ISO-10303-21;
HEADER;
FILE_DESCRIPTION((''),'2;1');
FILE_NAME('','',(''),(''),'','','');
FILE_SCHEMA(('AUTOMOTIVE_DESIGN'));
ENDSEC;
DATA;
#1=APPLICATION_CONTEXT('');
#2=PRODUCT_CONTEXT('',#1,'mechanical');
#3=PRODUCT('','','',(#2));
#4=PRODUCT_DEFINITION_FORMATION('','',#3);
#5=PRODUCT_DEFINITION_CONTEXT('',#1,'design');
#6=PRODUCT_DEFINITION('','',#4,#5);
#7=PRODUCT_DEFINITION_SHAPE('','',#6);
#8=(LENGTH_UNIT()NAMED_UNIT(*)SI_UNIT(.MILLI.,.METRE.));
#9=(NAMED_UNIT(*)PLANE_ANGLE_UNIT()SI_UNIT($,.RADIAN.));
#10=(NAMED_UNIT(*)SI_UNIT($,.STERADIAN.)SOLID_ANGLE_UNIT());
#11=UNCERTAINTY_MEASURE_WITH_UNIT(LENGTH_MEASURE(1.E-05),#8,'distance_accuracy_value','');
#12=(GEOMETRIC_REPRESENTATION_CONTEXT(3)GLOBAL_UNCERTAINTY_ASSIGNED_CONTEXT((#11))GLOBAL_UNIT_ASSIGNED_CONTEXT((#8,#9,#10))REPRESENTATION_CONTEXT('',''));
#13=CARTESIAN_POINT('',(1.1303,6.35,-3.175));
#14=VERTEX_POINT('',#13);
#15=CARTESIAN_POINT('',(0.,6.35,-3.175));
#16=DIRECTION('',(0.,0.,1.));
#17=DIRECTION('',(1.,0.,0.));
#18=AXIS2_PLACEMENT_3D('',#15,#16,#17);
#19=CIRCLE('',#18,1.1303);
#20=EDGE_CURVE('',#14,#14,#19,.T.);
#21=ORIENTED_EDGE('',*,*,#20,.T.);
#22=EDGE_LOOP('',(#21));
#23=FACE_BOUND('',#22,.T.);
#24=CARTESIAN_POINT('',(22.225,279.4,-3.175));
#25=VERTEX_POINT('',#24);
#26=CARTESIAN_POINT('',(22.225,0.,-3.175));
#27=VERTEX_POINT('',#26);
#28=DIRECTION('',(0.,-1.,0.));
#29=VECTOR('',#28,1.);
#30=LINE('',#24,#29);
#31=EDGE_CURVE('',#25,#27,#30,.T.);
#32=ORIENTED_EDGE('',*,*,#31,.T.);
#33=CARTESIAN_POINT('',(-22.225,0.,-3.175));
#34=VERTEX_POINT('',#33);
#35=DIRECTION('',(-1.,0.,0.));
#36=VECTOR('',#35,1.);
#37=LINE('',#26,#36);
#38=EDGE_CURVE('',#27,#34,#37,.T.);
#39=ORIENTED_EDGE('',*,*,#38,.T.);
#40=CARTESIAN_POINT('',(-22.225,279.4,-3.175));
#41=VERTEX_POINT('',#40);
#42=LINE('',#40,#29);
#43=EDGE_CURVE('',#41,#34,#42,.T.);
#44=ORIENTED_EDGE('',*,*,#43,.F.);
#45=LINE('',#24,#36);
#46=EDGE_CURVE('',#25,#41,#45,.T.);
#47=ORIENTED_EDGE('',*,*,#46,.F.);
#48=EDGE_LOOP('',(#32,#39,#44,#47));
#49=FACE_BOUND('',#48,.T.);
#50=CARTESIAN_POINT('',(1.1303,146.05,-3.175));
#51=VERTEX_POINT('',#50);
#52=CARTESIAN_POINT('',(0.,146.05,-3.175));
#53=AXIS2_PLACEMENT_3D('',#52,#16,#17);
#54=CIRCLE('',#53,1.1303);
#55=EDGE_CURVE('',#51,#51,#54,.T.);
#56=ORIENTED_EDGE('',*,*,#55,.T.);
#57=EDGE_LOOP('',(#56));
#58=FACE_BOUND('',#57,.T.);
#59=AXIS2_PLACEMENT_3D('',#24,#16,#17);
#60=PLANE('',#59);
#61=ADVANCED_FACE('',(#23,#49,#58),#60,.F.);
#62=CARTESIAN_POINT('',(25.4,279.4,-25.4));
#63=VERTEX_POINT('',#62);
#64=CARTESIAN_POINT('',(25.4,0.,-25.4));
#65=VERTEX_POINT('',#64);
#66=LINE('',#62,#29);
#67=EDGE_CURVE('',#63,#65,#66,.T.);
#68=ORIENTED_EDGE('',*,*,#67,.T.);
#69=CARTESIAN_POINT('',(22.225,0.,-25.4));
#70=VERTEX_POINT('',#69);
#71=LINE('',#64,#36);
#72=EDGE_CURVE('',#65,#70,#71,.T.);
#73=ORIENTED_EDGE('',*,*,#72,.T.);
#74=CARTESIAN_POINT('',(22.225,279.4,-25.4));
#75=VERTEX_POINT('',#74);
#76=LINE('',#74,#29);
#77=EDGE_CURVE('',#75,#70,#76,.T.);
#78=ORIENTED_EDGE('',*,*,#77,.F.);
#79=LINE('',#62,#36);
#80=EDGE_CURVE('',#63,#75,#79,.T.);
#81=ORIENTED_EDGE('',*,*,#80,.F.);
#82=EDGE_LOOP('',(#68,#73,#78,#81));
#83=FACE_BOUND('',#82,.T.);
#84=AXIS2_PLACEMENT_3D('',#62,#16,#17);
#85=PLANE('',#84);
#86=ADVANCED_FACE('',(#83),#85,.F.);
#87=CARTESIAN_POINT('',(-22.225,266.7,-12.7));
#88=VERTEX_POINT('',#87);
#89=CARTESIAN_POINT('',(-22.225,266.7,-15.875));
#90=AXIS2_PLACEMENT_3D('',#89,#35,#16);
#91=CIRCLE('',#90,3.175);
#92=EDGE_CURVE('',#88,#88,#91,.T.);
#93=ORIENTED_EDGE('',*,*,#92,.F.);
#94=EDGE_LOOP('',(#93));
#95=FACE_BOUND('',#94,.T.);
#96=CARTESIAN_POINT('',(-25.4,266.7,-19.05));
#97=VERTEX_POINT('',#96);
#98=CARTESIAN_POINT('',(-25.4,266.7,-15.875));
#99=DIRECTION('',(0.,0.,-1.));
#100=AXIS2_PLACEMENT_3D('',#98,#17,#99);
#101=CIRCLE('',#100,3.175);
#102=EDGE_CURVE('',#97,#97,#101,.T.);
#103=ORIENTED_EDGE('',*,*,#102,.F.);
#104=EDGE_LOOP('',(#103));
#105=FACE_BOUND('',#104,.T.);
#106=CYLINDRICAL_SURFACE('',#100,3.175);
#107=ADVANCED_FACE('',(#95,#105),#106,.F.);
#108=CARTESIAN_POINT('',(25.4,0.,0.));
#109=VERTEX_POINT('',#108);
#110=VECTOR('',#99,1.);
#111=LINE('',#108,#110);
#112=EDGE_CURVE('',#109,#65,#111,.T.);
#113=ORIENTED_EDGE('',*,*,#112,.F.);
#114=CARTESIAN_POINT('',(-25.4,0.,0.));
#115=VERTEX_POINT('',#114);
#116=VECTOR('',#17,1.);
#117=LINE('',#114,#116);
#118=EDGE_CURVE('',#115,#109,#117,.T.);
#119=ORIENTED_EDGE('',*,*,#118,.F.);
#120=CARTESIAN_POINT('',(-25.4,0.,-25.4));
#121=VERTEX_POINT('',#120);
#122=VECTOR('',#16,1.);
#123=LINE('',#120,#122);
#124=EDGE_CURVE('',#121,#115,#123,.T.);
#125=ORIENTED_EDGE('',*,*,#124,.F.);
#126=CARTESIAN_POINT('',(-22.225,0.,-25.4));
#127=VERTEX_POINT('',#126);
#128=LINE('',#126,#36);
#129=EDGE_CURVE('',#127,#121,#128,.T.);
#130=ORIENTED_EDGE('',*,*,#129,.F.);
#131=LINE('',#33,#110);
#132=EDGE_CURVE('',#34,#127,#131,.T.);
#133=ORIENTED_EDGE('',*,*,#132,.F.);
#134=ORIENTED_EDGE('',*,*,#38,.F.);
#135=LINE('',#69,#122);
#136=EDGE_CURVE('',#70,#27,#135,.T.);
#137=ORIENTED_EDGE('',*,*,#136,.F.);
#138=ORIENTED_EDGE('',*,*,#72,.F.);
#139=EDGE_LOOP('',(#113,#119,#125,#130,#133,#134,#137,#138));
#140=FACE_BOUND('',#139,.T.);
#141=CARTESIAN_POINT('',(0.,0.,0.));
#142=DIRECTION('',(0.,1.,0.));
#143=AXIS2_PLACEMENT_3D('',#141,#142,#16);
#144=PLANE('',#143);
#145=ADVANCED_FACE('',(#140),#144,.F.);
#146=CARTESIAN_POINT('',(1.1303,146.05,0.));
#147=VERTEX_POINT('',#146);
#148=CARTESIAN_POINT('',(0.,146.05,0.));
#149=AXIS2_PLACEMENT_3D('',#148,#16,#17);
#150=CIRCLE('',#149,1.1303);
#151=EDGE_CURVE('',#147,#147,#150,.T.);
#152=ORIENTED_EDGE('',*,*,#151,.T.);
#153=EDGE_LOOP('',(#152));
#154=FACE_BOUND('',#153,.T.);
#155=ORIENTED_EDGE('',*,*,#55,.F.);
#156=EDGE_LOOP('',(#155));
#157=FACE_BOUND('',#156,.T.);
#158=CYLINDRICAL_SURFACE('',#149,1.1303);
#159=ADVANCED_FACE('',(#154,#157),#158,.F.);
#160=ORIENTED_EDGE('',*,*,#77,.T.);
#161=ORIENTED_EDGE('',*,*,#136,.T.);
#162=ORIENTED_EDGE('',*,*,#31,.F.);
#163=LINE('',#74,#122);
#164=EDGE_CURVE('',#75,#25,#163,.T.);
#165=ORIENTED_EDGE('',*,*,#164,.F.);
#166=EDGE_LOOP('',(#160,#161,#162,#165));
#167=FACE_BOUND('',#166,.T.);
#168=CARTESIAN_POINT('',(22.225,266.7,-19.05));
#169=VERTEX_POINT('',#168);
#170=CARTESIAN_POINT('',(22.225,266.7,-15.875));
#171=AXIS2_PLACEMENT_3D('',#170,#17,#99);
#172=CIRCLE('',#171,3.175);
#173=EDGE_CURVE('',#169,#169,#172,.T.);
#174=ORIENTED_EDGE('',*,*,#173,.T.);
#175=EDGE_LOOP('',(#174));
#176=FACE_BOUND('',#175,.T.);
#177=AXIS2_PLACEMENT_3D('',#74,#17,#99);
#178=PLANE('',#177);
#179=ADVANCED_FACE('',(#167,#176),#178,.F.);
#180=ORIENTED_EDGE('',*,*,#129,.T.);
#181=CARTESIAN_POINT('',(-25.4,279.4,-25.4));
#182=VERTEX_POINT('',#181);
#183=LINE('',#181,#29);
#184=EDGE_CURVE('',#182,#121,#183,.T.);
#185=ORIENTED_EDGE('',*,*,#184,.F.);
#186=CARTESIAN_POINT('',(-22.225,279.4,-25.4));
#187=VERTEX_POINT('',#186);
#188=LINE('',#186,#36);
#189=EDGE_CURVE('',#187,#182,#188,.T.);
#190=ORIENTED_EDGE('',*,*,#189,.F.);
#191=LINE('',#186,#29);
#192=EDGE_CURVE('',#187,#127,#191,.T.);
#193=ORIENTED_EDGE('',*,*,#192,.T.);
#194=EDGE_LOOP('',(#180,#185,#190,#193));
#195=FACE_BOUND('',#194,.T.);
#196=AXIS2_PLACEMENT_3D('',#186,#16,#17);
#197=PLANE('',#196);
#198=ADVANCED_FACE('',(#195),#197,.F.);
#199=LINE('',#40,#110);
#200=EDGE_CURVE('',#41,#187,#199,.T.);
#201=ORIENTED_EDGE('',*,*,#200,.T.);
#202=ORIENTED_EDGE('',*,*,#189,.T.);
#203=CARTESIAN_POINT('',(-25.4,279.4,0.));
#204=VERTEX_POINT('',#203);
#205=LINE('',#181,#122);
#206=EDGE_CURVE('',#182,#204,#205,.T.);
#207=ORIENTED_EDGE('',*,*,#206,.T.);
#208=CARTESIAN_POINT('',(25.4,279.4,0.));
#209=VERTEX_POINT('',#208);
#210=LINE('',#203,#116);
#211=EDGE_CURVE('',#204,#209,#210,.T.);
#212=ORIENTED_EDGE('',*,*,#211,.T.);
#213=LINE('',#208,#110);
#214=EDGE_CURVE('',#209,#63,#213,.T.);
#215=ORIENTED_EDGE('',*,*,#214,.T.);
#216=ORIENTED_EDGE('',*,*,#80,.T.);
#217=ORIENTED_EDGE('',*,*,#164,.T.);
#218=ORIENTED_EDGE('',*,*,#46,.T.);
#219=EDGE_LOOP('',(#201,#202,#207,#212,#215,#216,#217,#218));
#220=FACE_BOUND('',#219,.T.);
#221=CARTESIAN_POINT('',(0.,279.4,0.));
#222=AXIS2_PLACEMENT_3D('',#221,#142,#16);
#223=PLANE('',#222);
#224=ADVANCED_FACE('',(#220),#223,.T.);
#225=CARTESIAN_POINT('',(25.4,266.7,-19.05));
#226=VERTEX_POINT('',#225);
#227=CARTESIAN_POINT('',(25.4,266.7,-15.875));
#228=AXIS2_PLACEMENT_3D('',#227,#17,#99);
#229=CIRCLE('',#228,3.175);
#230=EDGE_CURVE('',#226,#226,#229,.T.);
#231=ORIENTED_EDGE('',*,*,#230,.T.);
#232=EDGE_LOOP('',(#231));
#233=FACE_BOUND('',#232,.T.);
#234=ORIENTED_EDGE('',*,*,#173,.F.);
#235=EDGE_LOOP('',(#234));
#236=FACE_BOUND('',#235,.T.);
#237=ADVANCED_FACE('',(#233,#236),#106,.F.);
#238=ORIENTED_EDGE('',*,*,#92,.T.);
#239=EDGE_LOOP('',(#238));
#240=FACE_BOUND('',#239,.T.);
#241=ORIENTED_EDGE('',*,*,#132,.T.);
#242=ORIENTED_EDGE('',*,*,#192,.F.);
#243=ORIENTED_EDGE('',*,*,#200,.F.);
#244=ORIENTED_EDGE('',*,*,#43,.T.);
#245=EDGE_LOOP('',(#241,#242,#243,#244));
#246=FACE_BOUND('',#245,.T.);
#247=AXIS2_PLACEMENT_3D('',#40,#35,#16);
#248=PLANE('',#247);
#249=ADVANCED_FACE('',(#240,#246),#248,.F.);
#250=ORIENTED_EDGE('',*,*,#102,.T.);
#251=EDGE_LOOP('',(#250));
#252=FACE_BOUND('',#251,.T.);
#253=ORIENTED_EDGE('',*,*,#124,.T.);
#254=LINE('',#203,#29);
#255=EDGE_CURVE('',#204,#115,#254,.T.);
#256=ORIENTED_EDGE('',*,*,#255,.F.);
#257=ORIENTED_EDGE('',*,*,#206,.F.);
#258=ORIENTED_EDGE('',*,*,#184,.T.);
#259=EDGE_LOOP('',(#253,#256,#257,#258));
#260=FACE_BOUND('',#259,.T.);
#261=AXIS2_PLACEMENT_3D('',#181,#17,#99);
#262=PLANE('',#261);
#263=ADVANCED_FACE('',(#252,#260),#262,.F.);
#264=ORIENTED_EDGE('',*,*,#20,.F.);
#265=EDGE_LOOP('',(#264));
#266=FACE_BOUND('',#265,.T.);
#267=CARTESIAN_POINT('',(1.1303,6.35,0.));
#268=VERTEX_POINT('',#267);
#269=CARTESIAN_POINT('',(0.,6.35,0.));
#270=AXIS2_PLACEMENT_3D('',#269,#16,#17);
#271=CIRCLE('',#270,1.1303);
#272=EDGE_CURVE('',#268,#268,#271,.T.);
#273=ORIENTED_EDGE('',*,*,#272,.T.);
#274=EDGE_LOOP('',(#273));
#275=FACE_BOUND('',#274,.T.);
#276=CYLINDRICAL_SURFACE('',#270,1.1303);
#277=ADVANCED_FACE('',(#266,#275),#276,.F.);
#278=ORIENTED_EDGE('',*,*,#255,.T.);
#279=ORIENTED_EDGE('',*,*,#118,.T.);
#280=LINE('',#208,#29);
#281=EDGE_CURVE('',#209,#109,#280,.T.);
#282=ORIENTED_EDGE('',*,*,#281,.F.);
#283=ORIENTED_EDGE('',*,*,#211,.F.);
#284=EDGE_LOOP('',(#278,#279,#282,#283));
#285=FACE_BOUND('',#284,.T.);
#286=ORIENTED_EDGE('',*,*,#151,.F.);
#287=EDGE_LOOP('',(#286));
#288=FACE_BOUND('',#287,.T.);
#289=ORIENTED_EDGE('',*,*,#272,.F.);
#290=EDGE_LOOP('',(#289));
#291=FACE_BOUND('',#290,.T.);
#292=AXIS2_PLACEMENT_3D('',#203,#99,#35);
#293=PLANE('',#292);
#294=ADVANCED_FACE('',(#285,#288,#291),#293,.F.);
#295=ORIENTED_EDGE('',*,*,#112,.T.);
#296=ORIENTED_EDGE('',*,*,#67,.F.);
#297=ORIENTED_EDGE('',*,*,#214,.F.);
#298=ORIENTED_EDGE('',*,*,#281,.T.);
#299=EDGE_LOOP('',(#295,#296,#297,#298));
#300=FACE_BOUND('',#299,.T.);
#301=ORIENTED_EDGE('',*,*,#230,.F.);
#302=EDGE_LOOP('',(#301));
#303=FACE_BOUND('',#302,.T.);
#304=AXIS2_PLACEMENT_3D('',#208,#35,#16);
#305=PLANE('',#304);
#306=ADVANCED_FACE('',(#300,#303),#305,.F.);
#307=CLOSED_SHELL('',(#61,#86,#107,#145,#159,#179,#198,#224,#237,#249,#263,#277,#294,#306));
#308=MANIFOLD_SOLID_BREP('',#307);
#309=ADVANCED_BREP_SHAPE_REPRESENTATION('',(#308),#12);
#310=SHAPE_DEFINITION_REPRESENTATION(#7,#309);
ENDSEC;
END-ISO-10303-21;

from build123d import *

# Parameters (mm, degrees)
BOSS_EXTRUDE1_DEPTH       = 279.4
SKETCH2_R                 = 3.175
CUT_EXTRUDE1_DEPTH        = 51.8
F_4_40_TAPPED_HOLE1_D     = 2.2606
F_4_40_TAPPED_HOLE1_DEPTH = 3.175


with BuildPart() as part:
    # Sketch1 → Boss-Extrude1 (new body)
    with BuildSketch(Plane(origin=(0, 0, 0), x_dir=(1, 0, 0), z_dir=(0, 1, 0))):
        Polygon((-25.4, 25.4), (-25.4, 0), (25.4, 0), (25.4, 25.4), (22.225, 25.4), (22.225, 3.175), (-22.225, 3.175), (-22.225, 25.4), align=None)
    extrude(amount=BOSS_EXTRUDE1_DEPTH)

    # Sketch2 → Cut-Extrude1 (cut, through all)
    with BuildSketch(Plane(origin=(25.4, 0, 0), x_dir=(0, 0, -1), z_dir=(1, 0, 0))):
        with Locations((15.875, 266.7)):
            Circle(SKETCH2_R)
    extrude(amount=-CUT_EXTRUDE1_DEPTH, mode=Mode.SUBTRACT)

    # #4-40 Tapped Hole1
    with Locations(Plane.XY):
        with Locations((0, 146.05), (0, 6.35)):
            Hole(F_4_40_TAPPED_HOLE1_D / 2, depth=F_4_40_TAPPED_HOLE1_DEPTH)


solid = part.part
